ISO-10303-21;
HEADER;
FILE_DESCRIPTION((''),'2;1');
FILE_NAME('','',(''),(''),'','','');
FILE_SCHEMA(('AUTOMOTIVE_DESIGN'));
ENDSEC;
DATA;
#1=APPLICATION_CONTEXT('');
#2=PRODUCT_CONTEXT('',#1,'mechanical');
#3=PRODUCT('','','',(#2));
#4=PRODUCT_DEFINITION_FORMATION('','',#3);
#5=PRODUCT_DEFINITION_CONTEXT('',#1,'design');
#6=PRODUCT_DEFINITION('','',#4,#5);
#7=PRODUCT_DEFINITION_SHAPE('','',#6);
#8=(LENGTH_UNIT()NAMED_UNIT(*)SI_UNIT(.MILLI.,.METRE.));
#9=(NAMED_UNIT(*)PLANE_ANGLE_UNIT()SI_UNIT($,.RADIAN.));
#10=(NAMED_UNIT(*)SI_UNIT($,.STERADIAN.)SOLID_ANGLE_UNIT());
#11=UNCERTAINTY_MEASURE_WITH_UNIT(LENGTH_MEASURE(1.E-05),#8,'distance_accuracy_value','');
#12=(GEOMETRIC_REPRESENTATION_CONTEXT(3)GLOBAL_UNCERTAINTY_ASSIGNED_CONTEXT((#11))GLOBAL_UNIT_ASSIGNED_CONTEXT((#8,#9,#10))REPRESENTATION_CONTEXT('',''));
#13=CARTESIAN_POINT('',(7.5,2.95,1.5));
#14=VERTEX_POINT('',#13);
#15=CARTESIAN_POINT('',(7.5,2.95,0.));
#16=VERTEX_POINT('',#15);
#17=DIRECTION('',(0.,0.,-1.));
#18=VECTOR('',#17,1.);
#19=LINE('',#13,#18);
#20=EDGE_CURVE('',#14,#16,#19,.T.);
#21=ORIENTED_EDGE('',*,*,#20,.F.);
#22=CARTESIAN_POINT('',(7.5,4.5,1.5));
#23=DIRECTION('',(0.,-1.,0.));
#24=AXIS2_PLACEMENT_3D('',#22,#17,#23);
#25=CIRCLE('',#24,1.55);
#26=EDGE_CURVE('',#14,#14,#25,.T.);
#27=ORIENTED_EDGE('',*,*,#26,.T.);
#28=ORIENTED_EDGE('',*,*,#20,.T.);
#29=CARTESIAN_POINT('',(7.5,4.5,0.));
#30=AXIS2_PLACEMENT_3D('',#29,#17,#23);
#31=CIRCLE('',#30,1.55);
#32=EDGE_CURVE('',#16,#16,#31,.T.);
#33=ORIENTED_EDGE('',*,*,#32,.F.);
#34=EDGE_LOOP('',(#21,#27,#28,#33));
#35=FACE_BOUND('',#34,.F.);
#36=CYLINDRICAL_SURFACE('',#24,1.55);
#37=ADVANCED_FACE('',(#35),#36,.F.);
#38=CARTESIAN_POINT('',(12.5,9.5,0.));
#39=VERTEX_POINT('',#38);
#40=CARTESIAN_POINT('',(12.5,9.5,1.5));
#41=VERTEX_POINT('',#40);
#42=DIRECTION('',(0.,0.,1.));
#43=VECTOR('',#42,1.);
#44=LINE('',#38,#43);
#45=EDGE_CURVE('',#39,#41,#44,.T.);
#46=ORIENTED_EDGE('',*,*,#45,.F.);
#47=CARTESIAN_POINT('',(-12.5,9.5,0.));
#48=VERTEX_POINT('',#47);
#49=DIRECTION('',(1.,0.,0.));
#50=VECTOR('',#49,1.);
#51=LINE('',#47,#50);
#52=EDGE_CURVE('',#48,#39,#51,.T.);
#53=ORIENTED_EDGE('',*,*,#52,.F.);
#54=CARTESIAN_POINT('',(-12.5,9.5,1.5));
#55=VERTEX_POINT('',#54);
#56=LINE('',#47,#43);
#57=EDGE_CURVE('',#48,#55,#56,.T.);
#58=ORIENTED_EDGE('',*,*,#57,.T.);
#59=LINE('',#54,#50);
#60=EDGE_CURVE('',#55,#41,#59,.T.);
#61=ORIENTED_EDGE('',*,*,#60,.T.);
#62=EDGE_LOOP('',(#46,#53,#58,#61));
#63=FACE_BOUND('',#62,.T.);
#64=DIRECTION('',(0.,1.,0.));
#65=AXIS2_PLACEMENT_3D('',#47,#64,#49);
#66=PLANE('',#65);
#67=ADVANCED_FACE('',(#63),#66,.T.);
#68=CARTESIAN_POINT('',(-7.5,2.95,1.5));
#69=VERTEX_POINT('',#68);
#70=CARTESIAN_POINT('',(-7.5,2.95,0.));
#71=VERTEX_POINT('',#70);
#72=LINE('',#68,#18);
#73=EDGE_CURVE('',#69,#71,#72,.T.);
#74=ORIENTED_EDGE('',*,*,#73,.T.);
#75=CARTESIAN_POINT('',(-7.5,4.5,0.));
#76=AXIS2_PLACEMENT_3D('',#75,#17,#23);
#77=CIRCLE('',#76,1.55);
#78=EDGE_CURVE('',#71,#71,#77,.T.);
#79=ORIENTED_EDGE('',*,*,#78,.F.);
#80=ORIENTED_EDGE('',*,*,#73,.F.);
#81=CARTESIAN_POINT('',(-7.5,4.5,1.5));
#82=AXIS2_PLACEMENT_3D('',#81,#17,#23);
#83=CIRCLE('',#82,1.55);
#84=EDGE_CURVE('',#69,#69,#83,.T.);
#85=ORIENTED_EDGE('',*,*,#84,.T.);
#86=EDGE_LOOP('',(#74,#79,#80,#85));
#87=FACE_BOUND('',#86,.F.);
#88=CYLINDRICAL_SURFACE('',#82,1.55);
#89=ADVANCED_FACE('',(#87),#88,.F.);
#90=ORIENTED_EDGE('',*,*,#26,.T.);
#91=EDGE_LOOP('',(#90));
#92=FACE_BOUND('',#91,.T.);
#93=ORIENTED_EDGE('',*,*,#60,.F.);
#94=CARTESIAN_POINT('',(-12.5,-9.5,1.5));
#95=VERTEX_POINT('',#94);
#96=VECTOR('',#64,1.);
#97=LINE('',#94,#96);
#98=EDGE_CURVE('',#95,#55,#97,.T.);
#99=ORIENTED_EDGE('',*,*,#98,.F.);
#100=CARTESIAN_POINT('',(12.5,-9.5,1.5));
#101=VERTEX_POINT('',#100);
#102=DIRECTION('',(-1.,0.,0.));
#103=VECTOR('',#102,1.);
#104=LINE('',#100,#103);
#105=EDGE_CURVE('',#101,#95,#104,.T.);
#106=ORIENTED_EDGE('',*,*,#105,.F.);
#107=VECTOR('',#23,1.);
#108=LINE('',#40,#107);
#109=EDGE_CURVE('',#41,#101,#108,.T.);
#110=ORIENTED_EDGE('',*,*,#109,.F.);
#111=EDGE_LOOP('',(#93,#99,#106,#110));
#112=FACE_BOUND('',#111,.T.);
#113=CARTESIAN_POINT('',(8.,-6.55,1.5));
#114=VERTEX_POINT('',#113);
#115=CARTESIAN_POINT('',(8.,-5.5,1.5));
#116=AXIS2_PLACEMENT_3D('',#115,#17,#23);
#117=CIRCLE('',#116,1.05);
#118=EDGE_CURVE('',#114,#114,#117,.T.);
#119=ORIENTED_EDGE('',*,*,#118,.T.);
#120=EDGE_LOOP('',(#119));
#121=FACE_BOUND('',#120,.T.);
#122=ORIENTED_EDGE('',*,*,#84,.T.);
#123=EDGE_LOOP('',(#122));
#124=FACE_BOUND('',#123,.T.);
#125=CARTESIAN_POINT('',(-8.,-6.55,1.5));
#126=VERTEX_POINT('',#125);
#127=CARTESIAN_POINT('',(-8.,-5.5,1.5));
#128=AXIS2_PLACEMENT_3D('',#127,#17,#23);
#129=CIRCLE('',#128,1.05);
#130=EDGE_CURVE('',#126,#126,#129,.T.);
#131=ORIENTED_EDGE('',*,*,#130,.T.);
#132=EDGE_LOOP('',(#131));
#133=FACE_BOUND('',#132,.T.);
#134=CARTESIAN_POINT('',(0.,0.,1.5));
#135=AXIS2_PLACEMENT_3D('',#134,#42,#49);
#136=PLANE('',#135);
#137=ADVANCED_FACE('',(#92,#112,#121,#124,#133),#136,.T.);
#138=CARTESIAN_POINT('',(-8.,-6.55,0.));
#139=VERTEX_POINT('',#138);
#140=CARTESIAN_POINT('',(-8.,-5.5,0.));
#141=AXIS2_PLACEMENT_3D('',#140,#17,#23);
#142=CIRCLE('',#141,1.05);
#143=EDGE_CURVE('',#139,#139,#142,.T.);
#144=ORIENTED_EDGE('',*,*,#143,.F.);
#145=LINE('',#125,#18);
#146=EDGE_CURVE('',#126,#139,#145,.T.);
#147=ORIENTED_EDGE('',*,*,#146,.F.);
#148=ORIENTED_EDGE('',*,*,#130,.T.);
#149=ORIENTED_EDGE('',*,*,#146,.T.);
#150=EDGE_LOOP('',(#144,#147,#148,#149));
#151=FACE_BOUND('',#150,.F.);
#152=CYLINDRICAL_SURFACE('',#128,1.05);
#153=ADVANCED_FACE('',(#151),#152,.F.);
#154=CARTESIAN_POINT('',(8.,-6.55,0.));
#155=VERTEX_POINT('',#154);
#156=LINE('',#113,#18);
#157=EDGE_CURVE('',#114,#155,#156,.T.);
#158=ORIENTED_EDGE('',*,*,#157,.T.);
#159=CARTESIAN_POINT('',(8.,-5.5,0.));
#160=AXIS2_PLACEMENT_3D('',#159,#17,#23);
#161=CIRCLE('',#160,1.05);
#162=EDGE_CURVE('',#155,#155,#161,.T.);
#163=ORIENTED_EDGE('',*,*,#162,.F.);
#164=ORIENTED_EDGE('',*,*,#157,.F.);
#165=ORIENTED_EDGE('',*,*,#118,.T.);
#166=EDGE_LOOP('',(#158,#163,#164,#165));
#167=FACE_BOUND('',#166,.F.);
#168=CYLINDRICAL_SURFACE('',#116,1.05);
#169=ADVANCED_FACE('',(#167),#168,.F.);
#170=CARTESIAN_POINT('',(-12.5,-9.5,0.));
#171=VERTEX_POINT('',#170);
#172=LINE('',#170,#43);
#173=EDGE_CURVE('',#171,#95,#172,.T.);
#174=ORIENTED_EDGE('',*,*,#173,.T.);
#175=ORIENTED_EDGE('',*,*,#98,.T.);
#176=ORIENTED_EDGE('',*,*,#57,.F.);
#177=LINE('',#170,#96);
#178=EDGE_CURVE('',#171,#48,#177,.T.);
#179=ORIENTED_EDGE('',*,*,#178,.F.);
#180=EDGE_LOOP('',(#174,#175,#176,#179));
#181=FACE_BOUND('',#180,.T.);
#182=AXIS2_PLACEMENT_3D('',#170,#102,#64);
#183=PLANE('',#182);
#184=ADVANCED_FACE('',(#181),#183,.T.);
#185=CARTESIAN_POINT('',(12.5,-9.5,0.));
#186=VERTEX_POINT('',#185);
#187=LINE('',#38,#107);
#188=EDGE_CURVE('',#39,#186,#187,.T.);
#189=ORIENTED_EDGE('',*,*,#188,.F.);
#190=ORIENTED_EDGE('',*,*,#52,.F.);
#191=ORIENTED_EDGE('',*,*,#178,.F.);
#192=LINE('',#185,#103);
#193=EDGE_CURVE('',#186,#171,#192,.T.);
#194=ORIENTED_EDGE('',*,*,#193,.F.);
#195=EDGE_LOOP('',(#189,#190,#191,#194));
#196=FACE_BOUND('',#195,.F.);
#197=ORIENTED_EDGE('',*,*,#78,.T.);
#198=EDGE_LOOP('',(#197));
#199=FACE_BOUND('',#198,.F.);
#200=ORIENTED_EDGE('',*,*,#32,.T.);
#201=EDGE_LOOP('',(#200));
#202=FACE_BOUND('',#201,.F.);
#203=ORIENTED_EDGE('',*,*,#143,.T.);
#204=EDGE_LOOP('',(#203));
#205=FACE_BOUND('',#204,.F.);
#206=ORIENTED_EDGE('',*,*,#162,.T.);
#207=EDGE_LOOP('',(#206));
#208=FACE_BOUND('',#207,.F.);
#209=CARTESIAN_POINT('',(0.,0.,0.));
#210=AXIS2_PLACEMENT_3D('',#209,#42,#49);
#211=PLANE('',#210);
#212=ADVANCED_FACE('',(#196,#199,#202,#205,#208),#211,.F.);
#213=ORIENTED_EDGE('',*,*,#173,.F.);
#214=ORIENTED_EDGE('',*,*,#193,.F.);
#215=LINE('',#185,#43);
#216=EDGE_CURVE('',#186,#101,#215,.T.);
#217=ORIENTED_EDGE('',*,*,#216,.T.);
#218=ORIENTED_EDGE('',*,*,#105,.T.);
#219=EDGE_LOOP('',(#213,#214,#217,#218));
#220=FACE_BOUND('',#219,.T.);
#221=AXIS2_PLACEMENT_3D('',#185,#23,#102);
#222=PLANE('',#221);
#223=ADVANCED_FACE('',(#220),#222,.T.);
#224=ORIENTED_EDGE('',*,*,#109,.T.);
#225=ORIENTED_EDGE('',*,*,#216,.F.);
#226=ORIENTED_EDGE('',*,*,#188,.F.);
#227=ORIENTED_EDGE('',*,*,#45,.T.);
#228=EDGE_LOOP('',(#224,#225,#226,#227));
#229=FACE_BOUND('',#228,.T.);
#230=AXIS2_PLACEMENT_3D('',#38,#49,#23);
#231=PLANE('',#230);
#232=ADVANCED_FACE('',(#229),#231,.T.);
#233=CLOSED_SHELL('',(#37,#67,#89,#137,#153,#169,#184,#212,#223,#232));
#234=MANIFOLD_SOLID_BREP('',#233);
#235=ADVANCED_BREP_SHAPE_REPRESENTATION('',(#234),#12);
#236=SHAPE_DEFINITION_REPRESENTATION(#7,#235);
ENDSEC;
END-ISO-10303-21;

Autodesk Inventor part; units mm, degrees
ref_plane "YZ Plane" through (0, 0, 0) normal (1, 0, 0) x (0, 1, 0)
ref_plane "XZ Plane" through (0, 0, 0) normal (0, 1, 0) x (-1, 0, 0)
ref_plane "XY Plane" through (0, 0, 0) normal (0, 0, 1) x (1, 0, 0)
sketch "スケッチ1" plane through (0, 0, 0) normal (0, 0, 1) x (1, 0, 0)
  line L0 (-12.5, 9.5) -> (12.5, 9.5)
  line L1 (12.5, 9.5) -> (12.5, -9.5)
  line L2 (12.5, -9.5) -> (-12.5, -9.5)
  line L3 (-12.5, -9.5) -> (-12.5, 9.5)
  line L4 (-12.5, 9.5) -> (12.5, -9.5) construction
  line L5 (12.5, 9.5) -> (-12.5, -9.5) construction
  point P0 (0, 0)
  dimension "d0" = 25
  dimension "d1" = 19
extrude "押し出し1" add sketch "スケッチ1" along normal blind 1.5
sketch "スケッチ2" plane through (0, 0, 1.5) normal (0, 0, 1) x (1, 0, 0)
  line L0 (-12.5, -9.5) -> (12.5, -9.5) projected
  line L1 (-12.5, 9.5) -> (-12.5, -9.5) projected
  line L2 (12.5, -9.5) -> (12.5, 9.5) projected
  point P0 (0, 0)
  point P1 (-8, -5.5)
  point P2 (8, -5.5)
  dimension "d4" = 4
  dimension "d5" = 4.5
  dimension "d6" = 4.5
  dimension "d7" = 4
hole "穴1" at (-8, -5.5, 1.5) at (8, -5.5, 1.5) direction (0, 0, -1) diameter 2.1 end through all
sketch "スケッチ3" plane through (0, 0, 1.5) normal (0, 0, 1) x (1, 0, 0)
  line L0 (12.5, -9.5) -> (12.5, 9.5) projected
  line L1 (12.5, 9.5) -> (-12.5, 9.5) projected
  line L2 (-12.5, 9.5) -> (-12.5, -9.5) projected
  point P0 (0, 0)
  point P1 (-7.5, 4.5)
  point P2 (7.5, 4.5)
  dimension "d15" = 5
  dimension "d16" = 5
  dimension "d17" = 5
  dimension "d18" = 5
hole "穴2" at (-7.5, 4.5, 1.5) at (7.5, 4.5, 1.5) direction (0, 0, -1) diameter 3.1 end through all
properties part number "servo catch back c"
